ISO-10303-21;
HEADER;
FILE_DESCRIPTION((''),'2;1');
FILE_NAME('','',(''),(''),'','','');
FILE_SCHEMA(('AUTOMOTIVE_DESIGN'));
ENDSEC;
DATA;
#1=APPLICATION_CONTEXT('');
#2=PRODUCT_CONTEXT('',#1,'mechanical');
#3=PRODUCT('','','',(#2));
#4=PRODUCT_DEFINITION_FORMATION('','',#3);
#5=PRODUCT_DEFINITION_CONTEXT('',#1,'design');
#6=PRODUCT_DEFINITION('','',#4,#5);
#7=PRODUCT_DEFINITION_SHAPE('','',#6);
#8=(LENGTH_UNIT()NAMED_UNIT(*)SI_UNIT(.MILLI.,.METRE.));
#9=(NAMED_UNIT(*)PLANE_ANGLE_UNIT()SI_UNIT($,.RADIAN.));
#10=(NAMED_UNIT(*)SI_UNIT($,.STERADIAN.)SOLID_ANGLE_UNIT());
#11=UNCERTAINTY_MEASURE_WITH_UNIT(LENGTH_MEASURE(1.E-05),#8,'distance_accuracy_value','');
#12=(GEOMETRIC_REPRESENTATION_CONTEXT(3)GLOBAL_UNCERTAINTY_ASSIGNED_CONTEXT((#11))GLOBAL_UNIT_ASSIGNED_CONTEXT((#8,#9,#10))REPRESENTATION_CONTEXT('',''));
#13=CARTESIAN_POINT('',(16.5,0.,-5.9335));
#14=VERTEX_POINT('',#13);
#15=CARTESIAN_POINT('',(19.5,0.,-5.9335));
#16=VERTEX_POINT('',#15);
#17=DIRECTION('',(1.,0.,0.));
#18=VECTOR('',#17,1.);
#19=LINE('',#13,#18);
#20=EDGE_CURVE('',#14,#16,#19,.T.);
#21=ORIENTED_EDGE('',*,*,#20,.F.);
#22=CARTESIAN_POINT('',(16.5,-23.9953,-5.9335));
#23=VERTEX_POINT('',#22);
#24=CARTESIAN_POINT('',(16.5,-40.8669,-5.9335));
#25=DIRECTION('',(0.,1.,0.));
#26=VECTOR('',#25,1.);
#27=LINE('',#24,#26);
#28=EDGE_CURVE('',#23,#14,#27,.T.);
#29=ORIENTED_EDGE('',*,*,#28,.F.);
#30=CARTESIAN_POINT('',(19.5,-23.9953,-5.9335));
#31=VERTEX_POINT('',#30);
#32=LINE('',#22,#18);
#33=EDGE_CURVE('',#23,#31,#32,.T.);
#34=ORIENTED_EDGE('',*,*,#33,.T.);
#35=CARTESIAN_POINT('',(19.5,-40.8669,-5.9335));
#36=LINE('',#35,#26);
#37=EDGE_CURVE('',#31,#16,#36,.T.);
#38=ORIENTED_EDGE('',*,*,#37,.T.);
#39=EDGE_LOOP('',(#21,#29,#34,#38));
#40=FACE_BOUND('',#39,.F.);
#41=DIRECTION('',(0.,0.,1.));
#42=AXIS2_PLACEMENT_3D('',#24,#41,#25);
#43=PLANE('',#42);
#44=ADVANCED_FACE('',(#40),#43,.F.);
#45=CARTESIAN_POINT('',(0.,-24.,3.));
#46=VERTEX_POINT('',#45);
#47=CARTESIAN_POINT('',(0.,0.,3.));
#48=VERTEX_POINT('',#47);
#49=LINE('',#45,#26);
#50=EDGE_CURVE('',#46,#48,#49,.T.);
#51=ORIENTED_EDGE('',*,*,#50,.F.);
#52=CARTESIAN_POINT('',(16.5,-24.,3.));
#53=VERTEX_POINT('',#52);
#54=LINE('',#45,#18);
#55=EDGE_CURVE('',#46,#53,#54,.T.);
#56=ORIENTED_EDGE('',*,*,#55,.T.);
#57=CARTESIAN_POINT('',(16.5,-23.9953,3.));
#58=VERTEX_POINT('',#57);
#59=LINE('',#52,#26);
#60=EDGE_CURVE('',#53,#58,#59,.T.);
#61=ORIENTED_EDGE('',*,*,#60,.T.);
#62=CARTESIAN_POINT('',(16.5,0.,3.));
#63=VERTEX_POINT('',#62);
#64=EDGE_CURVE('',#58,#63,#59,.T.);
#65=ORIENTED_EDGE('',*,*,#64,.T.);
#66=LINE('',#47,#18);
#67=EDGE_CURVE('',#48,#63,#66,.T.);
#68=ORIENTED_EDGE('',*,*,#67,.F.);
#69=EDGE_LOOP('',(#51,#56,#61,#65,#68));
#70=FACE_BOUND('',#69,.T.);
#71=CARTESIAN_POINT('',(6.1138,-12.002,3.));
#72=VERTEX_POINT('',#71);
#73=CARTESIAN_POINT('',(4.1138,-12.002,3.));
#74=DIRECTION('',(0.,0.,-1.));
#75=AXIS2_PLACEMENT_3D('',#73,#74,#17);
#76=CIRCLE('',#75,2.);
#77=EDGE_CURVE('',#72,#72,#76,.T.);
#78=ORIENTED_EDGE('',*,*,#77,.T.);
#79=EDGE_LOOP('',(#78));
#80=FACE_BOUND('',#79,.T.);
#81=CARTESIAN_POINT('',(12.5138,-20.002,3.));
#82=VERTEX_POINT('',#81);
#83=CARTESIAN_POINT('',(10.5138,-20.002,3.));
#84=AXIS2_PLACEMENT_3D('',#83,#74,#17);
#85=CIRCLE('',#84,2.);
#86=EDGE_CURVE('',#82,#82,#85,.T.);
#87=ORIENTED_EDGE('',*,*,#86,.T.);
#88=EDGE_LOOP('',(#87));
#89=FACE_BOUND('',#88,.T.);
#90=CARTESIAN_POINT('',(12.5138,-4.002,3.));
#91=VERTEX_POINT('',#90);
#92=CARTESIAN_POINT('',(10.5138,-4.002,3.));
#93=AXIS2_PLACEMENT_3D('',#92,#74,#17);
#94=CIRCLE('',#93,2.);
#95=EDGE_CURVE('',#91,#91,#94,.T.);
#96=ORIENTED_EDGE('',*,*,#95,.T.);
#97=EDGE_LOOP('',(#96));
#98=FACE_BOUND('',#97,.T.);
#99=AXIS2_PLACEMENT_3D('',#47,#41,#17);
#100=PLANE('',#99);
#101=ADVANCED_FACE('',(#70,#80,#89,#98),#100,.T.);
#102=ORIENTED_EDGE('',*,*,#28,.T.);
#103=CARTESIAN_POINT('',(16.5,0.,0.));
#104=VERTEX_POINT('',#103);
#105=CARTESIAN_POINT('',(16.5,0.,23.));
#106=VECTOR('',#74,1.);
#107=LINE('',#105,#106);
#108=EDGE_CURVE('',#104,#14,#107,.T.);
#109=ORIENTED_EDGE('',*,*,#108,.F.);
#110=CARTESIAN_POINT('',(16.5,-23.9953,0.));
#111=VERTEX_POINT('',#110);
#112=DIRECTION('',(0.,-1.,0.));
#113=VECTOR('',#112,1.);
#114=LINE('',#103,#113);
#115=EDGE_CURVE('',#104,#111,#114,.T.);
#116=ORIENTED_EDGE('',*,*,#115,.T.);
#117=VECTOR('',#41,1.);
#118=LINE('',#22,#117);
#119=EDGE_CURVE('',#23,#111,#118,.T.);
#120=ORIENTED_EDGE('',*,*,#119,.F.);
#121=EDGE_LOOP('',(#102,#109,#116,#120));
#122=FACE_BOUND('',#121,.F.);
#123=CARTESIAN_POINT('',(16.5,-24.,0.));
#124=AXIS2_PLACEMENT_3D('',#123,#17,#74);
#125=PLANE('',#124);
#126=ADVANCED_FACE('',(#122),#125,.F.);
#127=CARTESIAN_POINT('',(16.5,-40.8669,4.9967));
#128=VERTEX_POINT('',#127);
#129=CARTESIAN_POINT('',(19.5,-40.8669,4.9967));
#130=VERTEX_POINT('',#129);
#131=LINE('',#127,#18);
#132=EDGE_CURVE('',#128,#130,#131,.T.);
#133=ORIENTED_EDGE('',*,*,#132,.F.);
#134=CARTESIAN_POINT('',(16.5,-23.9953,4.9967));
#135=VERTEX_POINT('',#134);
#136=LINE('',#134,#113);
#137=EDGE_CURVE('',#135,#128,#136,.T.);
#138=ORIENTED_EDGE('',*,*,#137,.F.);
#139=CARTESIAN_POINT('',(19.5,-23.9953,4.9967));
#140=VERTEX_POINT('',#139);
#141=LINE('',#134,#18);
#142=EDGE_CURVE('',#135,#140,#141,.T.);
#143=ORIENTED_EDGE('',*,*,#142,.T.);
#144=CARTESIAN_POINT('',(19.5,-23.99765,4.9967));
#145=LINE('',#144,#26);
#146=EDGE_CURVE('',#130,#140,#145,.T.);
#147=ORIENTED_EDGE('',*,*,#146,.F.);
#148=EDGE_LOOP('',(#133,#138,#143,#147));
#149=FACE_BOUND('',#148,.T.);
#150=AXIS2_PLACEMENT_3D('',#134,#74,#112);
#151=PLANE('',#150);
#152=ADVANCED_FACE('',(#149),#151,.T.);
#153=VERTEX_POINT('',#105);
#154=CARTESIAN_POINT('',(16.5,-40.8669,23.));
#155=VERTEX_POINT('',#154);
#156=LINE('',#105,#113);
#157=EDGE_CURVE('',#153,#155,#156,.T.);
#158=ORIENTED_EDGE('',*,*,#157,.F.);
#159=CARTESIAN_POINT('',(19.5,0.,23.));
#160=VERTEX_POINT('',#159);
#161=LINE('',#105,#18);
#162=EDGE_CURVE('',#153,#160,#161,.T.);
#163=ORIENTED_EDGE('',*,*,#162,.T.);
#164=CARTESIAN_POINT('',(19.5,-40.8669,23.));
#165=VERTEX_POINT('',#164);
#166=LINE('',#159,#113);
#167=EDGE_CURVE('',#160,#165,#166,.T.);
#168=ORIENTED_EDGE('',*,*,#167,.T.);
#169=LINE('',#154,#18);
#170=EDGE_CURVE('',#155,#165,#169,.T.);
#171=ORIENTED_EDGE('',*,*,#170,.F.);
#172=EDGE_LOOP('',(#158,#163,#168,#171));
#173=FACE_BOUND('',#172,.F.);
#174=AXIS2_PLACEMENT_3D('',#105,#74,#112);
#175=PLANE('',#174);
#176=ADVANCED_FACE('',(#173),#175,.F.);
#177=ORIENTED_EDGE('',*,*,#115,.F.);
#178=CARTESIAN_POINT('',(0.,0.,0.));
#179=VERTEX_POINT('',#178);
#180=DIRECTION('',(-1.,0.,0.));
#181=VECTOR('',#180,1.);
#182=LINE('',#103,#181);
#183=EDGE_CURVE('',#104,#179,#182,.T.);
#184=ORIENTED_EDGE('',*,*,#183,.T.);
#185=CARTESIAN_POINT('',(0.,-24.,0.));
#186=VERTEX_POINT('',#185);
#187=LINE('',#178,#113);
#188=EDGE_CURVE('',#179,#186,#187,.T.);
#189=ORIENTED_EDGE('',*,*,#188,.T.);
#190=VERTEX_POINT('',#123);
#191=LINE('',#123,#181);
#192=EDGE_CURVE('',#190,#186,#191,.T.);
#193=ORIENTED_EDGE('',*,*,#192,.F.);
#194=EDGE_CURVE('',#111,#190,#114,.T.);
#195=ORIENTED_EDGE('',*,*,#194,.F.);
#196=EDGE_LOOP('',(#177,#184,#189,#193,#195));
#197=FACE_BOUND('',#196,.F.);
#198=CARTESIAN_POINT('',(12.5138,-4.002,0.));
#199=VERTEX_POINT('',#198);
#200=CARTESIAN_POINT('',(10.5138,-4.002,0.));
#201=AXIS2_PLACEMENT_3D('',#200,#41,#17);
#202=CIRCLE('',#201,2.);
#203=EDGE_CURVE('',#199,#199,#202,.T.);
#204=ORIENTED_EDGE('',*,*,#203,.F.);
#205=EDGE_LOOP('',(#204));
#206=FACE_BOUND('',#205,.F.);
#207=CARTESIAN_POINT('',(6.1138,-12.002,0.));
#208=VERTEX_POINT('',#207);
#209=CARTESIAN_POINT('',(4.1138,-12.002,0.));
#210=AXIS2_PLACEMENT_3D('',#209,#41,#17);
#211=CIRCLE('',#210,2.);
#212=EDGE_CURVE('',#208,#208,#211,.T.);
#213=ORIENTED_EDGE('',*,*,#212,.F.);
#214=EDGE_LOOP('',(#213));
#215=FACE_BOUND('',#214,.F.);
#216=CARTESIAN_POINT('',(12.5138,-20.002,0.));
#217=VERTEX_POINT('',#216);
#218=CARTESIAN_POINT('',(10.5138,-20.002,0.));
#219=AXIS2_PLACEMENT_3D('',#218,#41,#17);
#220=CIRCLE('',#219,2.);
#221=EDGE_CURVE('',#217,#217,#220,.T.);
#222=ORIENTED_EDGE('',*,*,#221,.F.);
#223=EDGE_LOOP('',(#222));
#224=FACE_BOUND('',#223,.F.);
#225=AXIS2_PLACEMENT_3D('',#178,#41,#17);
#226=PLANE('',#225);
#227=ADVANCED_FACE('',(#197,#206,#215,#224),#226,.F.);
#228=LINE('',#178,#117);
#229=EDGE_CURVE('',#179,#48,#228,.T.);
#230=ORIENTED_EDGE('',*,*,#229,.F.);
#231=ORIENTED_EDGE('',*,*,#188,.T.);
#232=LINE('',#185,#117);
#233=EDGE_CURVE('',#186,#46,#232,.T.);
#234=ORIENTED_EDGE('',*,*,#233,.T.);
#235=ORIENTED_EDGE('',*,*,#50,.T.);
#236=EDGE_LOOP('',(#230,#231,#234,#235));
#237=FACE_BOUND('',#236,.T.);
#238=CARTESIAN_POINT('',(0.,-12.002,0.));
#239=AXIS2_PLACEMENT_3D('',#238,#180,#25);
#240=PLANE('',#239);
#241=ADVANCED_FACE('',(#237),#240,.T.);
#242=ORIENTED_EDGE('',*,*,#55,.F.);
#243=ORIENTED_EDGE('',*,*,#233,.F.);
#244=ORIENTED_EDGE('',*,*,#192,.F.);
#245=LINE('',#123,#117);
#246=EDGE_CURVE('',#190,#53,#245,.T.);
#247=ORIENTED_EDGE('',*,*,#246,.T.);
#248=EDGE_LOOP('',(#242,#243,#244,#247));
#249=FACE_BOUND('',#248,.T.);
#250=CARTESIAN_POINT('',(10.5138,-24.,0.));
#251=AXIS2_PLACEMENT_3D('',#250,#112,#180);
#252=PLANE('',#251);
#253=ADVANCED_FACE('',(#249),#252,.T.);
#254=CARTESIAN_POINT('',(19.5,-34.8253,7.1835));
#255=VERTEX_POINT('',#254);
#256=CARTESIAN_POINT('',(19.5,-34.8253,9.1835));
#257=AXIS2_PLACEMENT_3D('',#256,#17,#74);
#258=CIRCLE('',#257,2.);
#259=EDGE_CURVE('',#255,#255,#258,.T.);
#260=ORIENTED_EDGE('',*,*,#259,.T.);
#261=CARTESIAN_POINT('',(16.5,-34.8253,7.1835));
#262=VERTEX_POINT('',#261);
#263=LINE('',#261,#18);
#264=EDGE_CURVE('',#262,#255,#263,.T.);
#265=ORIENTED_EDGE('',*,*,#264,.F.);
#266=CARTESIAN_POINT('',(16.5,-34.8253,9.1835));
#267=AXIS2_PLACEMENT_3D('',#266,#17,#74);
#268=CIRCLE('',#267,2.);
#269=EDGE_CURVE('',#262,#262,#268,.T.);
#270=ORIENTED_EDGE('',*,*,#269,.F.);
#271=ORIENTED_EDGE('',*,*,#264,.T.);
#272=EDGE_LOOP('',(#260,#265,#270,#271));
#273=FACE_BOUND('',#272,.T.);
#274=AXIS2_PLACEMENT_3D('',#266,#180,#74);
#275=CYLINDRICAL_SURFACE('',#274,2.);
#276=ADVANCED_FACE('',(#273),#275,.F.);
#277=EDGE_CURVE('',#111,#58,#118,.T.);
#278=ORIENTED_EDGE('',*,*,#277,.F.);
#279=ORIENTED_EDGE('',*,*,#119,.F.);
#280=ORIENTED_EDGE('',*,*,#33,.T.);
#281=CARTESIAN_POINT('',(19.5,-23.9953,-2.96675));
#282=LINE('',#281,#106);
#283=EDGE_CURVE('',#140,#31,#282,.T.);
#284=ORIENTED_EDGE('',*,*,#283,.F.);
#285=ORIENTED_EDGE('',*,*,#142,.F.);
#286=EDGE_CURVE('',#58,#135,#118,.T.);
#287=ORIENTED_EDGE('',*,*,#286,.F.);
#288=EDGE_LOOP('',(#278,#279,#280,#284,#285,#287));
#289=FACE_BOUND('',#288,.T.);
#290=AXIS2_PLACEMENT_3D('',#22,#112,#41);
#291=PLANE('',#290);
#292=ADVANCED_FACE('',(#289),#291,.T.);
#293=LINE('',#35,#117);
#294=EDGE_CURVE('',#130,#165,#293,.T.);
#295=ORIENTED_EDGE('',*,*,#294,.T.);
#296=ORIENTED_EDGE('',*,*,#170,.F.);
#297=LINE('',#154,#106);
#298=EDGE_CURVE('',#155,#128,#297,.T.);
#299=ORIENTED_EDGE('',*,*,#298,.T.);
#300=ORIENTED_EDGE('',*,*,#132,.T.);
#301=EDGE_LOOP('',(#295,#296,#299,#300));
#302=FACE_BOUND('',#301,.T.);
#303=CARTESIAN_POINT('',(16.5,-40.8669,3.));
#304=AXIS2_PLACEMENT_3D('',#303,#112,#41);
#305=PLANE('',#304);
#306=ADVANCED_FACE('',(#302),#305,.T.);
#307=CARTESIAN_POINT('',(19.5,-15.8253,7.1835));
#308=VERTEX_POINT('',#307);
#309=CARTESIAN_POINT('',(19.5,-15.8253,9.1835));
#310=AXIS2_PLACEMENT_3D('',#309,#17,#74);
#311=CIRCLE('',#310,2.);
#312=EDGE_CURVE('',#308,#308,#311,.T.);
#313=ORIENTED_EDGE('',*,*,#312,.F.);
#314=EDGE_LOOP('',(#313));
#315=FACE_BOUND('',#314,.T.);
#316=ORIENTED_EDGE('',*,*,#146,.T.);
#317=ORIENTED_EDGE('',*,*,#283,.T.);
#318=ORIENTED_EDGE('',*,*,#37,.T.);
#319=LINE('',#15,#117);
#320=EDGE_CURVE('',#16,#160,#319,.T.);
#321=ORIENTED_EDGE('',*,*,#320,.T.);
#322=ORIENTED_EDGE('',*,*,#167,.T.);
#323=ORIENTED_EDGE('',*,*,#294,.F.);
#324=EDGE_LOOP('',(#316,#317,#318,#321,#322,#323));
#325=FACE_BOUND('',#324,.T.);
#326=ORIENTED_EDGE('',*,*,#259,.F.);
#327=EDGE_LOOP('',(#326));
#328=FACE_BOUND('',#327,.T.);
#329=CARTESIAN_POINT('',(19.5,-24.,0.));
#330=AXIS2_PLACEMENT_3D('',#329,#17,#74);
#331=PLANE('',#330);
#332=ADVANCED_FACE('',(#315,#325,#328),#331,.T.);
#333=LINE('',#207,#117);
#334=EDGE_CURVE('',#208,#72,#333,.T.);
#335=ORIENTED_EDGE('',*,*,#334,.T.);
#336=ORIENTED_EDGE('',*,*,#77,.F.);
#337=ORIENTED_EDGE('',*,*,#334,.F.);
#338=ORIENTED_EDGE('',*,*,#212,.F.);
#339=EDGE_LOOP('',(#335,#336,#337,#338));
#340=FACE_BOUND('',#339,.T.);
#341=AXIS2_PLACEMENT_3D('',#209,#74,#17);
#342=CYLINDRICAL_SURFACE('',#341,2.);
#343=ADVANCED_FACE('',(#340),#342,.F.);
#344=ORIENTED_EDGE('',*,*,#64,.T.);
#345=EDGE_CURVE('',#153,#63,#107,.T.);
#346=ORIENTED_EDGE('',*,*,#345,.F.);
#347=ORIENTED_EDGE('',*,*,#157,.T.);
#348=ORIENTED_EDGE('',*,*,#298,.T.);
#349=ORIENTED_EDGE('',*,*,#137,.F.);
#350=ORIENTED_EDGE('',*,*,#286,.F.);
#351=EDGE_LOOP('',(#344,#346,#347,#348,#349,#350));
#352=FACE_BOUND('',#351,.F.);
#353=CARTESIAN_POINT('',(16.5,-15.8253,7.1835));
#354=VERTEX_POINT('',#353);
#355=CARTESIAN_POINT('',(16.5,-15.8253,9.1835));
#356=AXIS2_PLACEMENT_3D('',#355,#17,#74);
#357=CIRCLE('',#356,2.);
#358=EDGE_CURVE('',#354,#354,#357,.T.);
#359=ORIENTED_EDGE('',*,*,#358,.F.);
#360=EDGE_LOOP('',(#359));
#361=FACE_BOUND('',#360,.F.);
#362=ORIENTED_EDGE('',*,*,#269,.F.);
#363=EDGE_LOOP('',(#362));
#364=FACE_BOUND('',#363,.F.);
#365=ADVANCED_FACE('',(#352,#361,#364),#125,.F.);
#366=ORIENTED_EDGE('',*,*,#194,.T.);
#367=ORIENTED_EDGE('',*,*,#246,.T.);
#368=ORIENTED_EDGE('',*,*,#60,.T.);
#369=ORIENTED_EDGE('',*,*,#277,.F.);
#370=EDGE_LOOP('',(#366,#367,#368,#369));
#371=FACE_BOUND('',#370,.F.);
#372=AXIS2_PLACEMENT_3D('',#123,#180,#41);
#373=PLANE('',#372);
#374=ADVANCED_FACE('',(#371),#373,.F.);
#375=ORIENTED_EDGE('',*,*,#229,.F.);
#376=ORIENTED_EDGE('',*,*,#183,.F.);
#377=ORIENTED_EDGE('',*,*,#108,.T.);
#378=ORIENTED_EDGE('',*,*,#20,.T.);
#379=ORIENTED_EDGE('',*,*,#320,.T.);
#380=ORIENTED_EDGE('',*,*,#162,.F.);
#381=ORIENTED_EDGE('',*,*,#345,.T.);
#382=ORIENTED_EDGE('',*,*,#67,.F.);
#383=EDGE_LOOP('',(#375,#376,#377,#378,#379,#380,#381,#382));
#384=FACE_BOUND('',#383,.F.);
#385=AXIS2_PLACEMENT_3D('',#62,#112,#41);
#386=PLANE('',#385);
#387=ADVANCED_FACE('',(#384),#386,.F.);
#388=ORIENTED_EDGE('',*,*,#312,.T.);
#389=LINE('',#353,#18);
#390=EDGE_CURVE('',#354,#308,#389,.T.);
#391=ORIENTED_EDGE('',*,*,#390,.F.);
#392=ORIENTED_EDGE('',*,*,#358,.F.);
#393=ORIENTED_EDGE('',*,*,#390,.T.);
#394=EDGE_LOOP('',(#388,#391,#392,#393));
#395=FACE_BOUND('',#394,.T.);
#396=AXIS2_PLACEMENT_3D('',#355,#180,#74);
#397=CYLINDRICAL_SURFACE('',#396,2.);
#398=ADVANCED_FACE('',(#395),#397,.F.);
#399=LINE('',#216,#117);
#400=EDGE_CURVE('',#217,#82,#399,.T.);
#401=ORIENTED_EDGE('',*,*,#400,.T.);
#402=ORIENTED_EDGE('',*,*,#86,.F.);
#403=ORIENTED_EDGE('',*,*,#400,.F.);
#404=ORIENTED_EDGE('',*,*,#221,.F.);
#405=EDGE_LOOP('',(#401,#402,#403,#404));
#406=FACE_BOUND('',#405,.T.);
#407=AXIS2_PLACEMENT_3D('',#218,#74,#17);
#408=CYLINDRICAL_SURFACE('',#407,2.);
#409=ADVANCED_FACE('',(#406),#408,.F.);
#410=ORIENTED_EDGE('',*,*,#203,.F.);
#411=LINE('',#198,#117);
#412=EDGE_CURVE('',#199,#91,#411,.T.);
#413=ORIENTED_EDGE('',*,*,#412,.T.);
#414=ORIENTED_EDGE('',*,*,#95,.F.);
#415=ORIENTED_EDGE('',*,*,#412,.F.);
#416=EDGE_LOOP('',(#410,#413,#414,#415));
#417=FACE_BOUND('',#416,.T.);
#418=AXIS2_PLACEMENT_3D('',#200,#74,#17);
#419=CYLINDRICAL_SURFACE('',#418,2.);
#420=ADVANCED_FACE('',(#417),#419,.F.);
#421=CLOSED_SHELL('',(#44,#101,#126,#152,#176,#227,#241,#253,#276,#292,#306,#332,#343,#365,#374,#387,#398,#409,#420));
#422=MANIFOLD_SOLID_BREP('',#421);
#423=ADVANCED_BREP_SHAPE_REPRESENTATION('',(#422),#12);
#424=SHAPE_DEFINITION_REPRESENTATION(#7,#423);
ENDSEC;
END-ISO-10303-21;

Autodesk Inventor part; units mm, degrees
ref_plane "YZ Plane" through (0, 0, 0) normal (1, 0, 0) x (0, 1, 0)
ref_plane "XZ Plane" through (0, 0, 0) normal (0, 1, 0) x (-1, 0, 0)
ref_plane "XY Plane" through (0, 0, 0) normal (0, 0, 1) x (1, 0, 0)
sketch "Sketch1" plane through (0, 0, 0) normal (0, 0, 1) x (1, 0, 0)
  line L0 (0, 0) -> (16.5, 0)
  line L1 (16.5, 0) -> (16.5, -24)
  line L2 (16.5, -24) -> (0, -24)
  line L3 (0, -24) -> (0, 0)
  line L4 (24.2611, -12.002) -> (-7.0214, -12.002)
  line L5 (10.5138, 0) -> (10.5138, -25.2396)
  line L6 (10.5138, -12.002) -> (10.5138, -20.002) construction
  line L7 (10.5138, -12.002) -> (10.5138, -4.002) construction
  circle A0 centre (10.5138, -4.002) radius 2
  circle A1 centre (10.5138, -20.002) radius 2
  circle A2 centre (4.1138, -12.002) radius 2
  dimension "d0" = 16.5
  dimension "d1" = 24
  dimension "d2" = 8
  dimension "d3" = 8
  dimension "d4" = 4
  dimension "d5" = 4
  dimension "d7" = 4
extrude "Extrusion1" add sketch "Sketch1" along normal blind 3 contours L0 L5 A0 L4 A2 L3 | L0 L1 L4 L5 A0 | L4 A2 L5 A1 L2 L3 | L1 L2 L5 A1 L4
sketch "Sketch2" plane through (16.5, -24, 0) normal (1, 0, 0) x (0, 0, -1)
  line L0 (-3, -16.8669) -> (-3, 24)
  line L1 (-3, -16.8669) -> (-23, -16.8669)
  line L2 (-23, -16.8669) -> (5.9335, -16.8669)
  line L3 (5.9335, -16.8669) -> (5.9335, 24)
  line L4 (5.9335, 24) -> (-23, 24)
  line L5 (-23, 24) -> (-23, -16.8669)
  circle A0 centre (-9.1835, 8.1747) radius 2
  line L6 (-9.1835, 8.1747) -> (-9.1835, -10.8253) construction
  circle A1 centre (-9.1835, -10.8253) radius 2
  dimension "d11" = 20
  dimension "d12" = 4
  dimension "d13" = 19
  dimension "d14" = 4
extrude "Extrusion2" add sketch "Sketch2" along normal blind 3
sketch "Sketch3" plane through (16.5, -24, 0) normal (-1, 0, 0) x (0, 0, 1)
  line L0 (-5.9335, -16.8669) -> (-5.9335, 24) projected
  line L1 (-5.9335, 0.0047) -> (4.9967, 0.0047)
  line L2 (4.9967, 0.0047) -> (4.9967, -16.8669)
  line L3 (4.9967, -16.8669) -> (-5.9335, -16.8669)
  line L4 (-5.9335, -16.8669) -> (-5.9335, 0.0047)
extrude "Extrusion3" cut sketch "Sketch3" against normal through all
properties part number "bart y endstop v2"
